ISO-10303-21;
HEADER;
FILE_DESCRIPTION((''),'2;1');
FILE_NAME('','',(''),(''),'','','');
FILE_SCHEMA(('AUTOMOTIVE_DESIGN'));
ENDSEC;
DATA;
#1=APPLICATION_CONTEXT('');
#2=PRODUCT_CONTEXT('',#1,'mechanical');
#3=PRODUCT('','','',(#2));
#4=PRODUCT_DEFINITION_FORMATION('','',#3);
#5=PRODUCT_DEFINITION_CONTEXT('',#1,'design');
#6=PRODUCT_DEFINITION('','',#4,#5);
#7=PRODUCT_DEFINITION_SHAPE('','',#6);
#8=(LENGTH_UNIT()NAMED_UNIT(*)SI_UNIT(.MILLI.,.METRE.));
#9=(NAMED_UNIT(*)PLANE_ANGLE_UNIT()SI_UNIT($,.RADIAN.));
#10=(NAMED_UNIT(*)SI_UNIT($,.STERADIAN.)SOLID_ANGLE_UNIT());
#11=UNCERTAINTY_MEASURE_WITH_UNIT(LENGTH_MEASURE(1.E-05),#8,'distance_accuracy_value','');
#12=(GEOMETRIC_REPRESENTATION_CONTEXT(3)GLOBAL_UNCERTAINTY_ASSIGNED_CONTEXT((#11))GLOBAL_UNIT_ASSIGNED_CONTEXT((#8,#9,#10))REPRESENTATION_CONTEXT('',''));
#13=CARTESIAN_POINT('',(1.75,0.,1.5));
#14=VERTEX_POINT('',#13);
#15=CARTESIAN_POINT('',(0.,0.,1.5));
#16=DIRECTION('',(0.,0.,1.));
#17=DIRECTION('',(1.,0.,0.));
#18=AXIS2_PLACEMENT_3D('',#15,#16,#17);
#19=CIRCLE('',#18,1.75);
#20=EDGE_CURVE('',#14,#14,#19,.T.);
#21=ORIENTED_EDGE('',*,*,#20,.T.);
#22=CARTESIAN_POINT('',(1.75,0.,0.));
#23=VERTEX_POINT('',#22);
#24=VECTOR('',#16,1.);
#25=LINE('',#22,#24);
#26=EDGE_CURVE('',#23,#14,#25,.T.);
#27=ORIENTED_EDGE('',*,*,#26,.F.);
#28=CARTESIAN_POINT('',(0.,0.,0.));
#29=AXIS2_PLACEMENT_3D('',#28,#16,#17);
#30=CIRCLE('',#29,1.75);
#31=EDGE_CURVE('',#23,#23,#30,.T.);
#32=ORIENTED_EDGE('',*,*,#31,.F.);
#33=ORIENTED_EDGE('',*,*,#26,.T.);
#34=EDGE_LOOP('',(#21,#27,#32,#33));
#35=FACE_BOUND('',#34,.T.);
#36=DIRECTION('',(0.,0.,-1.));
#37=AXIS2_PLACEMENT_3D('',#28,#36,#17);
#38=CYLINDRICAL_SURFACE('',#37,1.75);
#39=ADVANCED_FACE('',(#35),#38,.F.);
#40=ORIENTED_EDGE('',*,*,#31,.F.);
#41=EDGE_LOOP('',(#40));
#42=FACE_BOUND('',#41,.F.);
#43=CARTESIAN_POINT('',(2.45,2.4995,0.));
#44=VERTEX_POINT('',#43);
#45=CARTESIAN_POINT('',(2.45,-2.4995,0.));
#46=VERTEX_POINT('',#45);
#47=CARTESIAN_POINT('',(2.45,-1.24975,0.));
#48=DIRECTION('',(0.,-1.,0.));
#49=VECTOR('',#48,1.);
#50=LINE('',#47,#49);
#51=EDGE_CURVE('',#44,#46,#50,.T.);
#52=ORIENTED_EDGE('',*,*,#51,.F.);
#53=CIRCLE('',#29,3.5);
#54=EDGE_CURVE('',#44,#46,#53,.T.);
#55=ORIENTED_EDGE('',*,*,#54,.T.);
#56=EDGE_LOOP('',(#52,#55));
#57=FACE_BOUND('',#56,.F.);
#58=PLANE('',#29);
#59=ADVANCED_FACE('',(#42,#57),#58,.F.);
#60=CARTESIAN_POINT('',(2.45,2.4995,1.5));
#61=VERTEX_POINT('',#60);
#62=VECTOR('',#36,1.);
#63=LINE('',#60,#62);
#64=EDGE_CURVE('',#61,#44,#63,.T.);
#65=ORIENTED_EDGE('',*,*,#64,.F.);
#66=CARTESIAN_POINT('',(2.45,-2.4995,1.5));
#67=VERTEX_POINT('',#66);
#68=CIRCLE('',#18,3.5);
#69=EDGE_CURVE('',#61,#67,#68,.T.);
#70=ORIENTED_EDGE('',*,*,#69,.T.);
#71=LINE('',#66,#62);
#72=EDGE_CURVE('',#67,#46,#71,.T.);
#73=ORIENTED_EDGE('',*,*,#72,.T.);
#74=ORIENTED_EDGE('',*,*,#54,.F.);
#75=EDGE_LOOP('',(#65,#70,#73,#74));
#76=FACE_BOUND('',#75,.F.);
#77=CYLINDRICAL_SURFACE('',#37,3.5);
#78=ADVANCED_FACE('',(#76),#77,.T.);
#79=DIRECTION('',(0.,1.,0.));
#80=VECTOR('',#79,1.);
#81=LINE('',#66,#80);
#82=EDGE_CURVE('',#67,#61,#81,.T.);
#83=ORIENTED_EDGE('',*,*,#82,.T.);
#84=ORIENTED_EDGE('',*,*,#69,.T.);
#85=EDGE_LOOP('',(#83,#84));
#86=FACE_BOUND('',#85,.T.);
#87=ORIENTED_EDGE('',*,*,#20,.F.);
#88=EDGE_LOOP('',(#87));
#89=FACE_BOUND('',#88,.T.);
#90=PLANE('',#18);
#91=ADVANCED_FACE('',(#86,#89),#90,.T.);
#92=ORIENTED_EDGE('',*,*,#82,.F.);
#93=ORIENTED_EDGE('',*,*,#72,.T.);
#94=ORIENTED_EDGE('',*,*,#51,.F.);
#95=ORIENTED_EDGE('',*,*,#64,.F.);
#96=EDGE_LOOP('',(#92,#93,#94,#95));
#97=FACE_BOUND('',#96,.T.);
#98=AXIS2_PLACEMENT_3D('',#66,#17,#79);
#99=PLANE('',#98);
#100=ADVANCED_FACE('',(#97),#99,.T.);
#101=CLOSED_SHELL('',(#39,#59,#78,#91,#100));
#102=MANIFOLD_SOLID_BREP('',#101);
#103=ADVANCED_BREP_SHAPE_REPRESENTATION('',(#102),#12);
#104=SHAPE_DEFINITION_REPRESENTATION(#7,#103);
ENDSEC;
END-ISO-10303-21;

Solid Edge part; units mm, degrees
sketch "Sketch1" plane through (0, 0, 0) normal (0, 0, 1) x (1, 0, 0)
  circle A0 centre (0, 0) radius 1.75
  circle A1 centre (0, 0) radius 3.5
  dimension "D1" = 3.5
  dimension "D2" = 7
extrude "Protrusion1" add sketch "Sketch1" along normal blind 1.5
sketch "Sketch2" plane through (0, 0, 1.5) normal (0, 0, 1) x (0, -1, 0)
  line L0 (2.4995, 2.45) -> (-2.4995, 2.45)
  arc A0 (-2.4995, 2.45) -> (2.4995, 2.45) centre (0, 0) cw
extrude "Cutout1" cut sketch "Sketch2" against normal up to next
properties material "ABS Plastic, high impact"
